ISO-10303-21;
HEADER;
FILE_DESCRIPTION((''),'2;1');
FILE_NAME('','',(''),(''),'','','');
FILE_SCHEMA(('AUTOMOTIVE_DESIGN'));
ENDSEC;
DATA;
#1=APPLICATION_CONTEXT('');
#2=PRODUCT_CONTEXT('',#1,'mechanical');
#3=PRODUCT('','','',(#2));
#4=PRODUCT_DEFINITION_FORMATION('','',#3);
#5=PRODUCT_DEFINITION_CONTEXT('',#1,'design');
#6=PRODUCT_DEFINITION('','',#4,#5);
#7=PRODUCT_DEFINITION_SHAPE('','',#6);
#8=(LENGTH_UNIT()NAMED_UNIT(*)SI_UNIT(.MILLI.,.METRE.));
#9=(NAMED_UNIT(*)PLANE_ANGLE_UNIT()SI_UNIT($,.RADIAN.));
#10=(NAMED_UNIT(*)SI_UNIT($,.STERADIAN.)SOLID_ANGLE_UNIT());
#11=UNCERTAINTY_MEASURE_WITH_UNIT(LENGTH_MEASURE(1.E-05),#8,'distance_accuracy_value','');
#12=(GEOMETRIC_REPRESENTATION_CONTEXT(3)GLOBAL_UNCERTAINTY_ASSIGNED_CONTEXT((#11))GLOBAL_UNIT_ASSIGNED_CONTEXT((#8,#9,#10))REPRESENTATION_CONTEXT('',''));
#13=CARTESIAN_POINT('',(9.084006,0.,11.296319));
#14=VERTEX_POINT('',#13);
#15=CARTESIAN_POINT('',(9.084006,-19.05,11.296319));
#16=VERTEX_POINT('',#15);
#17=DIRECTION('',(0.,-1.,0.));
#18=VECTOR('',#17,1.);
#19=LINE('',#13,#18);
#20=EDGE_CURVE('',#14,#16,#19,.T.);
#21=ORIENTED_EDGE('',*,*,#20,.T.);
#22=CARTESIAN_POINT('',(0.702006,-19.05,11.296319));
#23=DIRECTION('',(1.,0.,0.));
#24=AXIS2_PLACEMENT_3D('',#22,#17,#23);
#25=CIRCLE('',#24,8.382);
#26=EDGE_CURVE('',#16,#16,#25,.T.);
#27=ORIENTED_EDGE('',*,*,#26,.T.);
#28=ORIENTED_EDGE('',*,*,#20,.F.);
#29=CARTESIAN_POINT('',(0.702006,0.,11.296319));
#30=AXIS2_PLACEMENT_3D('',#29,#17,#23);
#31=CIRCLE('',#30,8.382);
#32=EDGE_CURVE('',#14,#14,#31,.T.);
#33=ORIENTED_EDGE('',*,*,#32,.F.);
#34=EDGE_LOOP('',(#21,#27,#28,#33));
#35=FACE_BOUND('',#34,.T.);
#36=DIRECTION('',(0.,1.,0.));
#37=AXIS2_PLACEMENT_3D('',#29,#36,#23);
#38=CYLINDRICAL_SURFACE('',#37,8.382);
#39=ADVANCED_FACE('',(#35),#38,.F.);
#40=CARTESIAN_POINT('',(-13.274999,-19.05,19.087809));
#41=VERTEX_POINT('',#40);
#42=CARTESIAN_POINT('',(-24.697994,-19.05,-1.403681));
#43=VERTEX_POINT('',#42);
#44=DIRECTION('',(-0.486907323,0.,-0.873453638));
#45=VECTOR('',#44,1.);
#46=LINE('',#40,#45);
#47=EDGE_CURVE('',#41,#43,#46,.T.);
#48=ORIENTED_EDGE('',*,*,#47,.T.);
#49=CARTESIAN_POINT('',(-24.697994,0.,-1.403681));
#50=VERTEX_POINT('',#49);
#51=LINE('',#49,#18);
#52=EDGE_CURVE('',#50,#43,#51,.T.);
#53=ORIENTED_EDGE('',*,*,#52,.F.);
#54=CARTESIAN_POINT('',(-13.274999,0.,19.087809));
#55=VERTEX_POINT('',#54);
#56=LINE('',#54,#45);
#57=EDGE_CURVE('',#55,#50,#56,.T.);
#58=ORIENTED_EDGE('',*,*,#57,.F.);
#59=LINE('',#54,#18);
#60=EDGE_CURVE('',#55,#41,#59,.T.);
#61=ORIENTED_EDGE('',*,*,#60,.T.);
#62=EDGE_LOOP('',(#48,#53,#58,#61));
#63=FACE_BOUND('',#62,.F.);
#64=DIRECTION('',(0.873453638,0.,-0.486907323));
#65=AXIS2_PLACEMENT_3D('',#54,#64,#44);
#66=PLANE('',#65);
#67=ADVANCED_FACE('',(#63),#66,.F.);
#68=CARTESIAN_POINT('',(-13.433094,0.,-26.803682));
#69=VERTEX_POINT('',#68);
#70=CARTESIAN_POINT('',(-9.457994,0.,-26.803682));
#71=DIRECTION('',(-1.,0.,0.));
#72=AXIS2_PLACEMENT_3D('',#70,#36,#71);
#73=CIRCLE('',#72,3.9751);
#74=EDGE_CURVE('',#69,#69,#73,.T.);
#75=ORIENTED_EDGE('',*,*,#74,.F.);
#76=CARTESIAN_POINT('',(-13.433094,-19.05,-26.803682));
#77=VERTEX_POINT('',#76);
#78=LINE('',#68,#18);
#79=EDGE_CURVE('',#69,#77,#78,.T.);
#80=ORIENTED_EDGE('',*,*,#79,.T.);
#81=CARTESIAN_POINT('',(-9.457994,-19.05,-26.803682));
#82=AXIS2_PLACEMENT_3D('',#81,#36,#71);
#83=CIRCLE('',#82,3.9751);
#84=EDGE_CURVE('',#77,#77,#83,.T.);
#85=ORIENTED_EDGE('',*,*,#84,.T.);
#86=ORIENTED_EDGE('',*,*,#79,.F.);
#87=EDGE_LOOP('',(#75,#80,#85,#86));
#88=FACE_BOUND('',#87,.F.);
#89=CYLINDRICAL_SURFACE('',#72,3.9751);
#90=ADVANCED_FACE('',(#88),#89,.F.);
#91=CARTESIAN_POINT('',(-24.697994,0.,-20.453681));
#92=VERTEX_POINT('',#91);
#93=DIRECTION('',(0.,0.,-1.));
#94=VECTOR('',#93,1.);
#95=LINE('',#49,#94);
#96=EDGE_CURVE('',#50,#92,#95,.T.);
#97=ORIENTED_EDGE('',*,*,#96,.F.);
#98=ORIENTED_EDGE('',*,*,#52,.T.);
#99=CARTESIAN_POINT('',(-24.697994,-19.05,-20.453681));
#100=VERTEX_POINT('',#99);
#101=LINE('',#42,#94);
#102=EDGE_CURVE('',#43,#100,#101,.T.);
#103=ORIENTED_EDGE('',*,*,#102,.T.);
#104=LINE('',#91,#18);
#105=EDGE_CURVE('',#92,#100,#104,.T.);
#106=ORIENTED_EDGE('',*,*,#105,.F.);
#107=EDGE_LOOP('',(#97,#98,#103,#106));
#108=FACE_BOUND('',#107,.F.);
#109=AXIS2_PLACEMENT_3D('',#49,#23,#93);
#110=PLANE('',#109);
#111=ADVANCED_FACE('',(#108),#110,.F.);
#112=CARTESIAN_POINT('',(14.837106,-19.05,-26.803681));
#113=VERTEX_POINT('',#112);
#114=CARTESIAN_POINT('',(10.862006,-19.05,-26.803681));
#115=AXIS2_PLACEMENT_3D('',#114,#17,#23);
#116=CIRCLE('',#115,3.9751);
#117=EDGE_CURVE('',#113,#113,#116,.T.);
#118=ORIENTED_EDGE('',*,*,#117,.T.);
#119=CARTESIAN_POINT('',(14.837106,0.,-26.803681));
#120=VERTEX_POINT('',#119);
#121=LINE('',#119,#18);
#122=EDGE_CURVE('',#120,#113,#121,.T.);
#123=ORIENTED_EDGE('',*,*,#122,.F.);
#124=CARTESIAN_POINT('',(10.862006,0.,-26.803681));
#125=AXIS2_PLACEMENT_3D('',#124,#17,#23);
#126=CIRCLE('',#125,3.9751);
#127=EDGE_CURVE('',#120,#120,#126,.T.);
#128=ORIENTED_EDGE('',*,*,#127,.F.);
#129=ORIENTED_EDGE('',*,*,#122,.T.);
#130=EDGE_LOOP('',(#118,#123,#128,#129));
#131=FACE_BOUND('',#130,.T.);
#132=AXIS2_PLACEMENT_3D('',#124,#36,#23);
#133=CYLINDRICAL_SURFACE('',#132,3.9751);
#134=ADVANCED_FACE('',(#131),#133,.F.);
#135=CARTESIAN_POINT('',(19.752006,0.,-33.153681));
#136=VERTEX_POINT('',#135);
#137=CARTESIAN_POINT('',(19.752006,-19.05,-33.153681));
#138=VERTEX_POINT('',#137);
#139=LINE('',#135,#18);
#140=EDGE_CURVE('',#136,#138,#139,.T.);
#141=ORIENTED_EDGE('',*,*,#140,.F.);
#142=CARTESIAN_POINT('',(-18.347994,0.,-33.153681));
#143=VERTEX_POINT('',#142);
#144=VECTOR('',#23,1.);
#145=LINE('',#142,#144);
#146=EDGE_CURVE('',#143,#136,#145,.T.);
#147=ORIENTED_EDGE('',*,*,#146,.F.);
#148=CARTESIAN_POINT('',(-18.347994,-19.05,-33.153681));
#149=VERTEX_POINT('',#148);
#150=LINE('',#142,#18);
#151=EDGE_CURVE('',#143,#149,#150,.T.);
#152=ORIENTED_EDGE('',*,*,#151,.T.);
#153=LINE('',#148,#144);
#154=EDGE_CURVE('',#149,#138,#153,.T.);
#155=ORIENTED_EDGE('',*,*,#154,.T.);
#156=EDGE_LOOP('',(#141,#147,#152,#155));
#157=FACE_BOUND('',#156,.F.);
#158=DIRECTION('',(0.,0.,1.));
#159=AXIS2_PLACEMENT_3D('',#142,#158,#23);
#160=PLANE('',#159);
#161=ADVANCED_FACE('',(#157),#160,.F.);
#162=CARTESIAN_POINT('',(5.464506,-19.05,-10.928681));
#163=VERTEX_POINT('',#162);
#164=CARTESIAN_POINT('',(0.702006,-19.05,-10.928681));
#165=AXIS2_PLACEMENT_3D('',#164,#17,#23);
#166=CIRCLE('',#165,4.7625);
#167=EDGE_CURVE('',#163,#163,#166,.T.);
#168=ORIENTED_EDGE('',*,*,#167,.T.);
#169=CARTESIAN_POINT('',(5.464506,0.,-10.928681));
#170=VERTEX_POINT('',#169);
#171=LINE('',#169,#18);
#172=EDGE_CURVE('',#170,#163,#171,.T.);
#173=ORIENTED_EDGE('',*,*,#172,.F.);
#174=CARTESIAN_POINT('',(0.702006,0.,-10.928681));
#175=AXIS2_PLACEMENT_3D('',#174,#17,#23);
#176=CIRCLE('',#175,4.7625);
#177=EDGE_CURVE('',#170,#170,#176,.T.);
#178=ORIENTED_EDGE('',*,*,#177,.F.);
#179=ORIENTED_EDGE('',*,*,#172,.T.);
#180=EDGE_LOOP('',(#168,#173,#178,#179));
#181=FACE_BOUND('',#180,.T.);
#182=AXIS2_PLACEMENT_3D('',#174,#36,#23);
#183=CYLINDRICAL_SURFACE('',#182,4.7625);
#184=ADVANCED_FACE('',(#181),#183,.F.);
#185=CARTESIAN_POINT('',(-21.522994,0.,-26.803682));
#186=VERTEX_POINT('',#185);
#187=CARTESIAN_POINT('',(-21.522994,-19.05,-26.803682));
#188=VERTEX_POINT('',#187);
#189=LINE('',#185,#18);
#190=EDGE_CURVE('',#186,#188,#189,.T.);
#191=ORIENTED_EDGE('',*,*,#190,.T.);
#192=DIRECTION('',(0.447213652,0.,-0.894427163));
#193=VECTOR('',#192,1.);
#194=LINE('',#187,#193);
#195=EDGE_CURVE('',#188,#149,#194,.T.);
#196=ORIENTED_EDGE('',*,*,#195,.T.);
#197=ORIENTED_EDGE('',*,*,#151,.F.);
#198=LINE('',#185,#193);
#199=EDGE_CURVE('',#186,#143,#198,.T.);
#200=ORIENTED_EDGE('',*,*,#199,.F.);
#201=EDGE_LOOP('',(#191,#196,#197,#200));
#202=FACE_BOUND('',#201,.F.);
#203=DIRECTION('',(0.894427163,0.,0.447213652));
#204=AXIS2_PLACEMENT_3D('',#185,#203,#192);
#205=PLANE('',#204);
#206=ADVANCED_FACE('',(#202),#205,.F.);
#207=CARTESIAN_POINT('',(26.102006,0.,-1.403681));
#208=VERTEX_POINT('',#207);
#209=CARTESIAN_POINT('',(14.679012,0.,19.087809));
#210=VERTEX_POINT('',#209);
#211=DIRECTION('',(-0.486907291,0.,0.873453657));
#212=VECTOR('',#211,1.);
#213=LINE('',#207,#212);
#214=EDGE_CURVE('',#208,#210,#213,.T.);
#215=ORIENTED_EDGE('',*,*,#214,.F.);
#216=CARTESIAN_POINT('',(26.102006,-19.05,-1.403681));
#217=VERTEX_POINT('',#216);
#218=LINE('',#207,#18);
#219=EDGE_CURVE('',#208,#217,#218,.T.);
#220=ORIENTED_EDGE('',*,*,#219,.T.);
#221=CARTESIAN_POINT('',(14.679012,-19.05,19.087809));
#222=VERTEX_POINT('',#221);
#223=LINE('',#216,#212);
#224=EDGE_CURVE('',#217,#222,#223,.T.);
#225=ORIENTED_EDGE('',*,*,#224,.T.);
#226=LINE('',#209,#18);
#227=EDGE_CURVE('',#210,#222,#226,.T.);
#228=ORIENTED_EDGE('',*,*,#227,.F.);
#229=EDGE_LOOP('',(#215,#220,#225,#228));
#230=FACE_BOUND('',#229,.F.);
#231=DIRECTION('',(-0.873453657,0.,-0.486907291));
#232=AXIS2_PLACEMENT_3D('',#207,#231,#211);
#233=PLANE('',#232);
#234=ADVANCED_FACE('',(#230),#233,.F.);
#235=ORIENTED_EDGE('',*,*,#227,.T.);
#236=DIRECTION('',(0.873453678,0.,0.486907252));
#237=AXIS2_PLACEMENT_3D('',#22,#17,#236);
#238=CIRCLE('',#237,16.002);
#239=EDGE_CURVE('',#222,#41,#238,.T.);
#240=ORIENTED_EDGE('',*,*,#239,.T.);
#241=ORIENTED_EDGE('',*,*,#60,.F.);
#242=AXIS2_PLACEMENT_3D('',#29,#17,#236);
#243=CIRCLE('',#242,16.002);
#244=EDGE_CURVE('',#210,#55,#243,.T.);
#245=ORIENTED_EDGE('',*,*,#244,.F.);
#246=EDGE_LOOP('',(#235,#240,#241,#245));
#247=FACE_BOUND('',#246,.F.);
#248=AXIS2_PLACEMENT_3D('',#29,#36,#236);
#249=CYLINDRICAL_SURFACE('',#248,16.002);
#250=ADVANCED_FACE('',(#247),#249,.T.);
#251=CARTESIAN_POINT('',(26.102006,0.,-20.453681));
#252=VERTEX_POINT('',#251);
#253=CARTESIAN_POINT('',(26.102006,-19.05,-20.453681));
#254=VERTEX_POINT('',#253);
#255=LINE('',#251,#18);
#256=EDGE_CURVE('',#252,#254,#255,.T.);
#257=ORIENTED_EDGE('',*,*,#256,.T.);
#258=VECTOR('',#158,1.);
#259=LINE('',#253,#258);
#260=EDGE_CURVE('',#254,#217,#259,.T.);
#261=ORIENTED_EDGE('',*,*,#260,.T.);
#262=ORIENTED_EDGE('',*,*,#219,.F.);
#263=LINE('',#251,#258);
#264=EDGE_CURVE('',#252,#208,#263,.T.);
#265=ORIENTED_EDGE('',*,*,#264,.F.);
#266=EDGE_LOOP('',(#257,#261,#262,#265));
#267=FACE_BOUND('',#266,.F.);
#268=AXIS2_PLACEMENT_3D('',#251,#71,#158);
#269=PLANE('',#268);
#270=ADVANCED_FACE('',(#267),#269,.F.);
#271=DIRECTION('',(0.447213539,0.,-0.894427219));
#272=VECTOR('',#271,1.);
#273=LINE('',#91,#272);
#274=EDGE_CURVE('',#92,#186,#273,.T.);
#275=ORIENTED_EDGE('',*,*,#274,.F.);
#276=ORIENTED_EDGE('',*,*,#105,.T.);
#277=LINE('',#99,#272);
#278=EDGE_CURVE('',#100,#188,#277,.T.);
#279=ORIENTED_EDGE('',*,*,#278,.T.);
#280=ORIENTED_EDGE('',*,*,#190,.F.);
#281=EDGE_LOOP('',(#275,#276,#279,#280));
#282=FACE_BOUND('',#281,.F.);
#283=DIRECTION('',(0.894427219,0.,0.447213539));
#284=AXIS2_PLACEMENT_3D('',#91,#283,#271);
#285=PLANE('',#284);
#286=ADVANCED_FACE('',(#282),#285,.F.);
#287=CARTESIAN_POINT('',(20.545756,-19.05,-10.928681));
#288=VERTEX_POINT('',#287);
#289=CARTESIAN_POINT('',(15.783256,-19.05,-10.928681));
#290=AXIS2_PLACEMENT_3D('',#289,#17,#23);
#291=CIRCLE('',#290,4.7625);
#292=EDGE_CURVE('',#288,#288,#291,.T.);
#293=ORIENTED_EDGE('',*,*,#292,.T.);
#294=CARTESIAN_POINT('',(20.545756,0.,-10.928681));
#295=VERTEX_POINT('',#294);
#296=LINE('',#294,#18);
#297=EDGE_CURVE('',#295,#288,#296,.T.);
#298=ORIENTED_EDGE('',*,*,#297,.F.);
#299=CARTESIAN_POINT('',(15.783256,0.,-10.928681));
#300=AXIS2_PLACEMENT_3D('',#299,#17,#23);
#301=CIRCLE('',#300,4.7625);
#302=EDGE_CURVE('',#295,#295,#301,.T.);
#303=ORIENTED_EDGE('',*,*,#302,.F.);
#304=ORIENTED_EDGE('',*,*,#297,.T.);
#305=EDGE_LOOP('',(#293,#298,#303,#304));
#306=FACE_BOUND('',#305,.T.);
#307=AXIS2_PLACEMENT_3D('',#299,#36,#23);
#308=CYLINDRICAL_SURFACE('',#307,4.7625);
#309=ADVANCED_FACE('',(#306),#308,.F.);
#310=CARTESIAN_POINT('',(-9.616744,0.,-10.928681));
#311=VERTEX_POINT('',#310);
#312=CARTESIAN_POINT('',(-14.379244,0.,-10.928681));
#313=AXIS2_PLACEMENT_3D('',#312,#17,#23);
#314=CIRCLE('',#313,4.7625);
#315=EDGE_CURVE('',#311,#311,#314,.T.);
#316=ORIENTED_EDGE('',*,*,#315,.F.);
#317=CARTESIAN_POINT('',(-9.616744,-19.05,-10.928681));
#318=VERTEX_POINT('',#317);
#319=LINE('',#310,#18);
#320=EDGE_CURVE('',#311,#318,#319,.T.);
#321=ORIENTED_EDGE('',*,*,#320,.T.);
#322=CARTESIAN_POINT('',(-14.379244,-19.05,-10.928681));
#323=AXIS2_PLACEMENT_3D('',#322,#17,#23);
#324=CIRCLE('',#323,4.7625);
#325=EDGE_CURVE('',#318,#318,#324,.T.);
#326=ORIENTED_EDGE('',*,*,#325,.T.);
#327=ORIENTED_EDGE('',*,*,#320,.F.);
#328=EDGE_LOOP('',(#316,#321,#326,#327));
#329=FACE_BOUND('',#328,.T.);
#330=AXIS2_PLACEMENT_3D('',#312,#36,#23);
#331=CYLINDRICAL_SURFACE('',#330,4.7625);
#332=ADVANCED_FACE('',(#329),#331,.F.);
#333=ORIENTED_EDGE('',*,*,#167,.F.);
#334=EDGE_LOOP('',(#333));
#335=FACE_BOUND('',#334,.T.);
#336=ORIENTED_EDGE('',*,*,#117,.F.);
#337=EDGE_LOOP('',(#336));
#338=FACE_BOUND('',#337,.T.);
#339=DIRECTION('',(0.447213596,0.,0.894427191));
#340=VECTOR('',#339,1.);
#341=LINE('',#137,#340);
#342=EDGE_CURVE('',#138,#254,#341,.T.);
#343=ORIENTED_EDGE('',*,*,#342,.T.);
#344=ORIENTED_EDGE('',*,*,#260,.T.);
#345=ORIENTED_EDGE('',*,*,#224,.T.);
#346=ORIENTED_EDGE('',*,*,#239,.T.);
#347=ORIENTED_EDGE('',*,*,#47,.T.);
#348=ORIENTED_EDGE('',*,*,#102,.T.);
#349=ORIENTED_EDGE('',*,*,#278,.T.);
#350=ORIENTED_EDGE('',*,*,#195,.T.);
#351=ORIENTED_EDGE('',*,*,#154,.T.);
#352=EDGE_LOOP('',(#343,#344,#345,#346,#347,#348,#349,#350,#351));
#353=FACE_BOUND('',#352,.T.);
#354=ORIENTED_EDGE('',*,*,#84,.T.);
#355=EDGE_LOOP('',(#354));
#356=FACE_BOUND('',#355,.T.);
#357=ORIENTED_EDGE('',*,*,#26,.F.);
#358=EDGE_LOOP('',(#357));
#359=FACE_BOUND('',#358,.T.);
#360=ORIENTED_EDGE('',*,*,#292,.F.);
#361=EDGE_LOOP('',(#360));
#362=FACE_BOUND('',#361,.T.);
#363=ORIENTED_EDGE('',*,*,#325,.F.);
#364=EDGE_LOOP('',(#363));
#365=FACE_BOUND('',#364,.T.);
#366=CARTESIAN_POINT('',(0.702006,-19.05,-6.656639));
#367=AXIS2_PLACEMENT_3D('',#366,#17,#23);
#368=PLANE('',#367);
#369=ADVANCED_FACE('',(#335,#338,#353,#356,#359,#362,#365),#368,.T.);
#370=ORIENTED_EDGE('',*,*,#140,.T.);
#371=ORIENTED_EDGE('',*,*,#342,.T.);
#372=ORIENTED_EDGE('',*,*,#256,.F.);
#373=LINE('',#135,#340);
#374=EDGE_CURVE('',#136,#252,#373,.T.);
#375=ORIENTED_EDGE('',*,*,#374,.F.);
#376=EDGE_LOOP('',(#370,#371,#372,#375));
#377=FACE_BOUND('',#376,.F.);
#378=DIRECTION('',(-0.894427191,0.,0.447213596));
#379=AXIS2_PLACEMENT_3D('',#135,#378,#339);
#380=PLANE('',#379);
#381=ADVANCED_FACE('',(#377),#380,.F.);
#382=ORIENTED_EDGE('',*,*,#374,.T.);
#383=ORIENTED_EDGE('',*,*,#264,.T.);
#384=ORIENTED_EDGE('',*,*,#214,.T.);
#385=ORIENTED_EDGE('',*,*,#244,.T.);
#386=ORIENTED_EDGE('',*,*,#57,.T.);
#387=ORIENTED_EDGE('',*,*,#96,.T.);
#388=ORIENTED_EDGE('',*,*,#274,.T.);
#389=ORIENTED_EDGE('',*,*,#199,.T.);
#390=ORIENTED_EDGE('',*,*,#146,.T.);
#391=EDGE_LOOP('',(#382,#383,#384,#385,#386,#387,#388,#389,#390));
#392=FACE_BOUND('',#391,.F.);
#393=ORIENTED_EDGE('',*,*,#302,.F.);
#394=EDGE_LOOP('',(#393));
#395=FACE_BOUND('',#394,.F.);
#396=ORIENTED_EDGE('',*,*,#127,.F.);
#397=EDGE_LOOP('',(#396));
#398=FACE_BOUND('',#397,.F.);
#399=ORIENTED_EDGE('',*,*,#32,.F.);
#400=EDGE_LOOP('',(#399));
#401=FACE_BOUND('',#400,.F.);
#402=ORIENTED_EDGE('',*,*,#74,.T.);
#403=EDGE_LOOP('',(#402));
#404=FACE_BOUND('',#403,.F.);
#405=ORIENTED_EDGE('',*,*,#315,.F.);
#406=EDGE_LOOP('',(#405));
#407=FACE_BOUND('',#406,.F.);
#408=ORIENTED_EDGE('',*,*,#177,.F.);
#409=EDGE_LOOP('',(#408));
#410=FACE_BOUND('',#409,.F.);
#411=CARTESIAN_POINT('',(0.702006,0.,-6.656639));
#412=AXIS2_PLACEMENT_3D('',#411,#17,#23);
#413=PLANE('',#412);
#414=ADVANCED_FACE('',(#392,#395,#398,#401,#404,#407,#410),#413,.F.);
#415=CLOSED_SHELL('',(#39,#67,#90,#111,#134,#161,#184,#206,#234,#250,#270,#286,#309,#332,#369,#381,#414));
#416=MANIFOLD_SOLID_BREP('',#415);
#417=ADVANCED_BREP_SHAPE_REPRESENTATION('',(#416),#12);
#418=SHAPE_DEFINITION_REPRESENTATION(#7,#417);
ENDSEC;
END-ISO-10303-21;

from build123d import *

# Parameters (mm, degrees)
F0_R     = 4.7625
F0_R_2   = 3.9751
F0_R_3   = 8.382
F1_DEPTH = 19.05


with BuildPart() as f1:
    # F0 (on Front) → F1 (new body)
    with BuildSketch(Plane.XZ):
        with BuildLine():
            Line((-21.522994, -26.803682), (-18.347994, -33.153681))
            Line((-18.347994, -33.153681), (19.752006, -33.153681))
            Line((19.752006, -33.153681), (26.102006, -20.453681))
            Line((26.102006, -20.453681), (26.102006, -1.403681))
            Line((26.102006, -1.403681), (14.679012, 19.087809))
            ThreePointArc((14.679012, 19.087809), (0.702006, 27.298319), (-13.274999, 19.087809))
            Line((-13.274999, 19.087809), (-24.697994, -1.403681))
            Line((-24.697994, -1.403681), (-24.697994, -20.453681))
            Line((-24.697994, -20.453681), (-21.522994, -26.803682))
        make_face()
        with BuildLine():
            ThreePointArc((-5.482894, -26.803682), (-9.457994, -30.778782), (-13.433094, -26.803682))
            ThreePointArc((-13.433094, -26.803682), (-9.457994, -22.828582), (-5.482894, -26.803682))
        make_face(mode=Mode.SUBTRACT)
        with Locations((-14.379244, -10.928681)):
            Circle(F0_R, mode=Mode.SUBTRACT)
        with Locations((10.862006, -26.803681)):
            Circle(F0_R_2, mode=Mode.SUBTRACT)
        with Locations((0.702006, -10.928681)):
            Circle(F0_R, mode=Mode.SUBTRACT)
        with Locations((15.783256, -10.928681)):
            Circle(F0_R, mode=Mode.SUBTRACT)
        with Locations((0.702006, 11.296319)):
            Circle(F0_R_3, mode=Mode.SUBTRACT)
    extrude(amount=F1_DEPTH)


solid = f1.part
